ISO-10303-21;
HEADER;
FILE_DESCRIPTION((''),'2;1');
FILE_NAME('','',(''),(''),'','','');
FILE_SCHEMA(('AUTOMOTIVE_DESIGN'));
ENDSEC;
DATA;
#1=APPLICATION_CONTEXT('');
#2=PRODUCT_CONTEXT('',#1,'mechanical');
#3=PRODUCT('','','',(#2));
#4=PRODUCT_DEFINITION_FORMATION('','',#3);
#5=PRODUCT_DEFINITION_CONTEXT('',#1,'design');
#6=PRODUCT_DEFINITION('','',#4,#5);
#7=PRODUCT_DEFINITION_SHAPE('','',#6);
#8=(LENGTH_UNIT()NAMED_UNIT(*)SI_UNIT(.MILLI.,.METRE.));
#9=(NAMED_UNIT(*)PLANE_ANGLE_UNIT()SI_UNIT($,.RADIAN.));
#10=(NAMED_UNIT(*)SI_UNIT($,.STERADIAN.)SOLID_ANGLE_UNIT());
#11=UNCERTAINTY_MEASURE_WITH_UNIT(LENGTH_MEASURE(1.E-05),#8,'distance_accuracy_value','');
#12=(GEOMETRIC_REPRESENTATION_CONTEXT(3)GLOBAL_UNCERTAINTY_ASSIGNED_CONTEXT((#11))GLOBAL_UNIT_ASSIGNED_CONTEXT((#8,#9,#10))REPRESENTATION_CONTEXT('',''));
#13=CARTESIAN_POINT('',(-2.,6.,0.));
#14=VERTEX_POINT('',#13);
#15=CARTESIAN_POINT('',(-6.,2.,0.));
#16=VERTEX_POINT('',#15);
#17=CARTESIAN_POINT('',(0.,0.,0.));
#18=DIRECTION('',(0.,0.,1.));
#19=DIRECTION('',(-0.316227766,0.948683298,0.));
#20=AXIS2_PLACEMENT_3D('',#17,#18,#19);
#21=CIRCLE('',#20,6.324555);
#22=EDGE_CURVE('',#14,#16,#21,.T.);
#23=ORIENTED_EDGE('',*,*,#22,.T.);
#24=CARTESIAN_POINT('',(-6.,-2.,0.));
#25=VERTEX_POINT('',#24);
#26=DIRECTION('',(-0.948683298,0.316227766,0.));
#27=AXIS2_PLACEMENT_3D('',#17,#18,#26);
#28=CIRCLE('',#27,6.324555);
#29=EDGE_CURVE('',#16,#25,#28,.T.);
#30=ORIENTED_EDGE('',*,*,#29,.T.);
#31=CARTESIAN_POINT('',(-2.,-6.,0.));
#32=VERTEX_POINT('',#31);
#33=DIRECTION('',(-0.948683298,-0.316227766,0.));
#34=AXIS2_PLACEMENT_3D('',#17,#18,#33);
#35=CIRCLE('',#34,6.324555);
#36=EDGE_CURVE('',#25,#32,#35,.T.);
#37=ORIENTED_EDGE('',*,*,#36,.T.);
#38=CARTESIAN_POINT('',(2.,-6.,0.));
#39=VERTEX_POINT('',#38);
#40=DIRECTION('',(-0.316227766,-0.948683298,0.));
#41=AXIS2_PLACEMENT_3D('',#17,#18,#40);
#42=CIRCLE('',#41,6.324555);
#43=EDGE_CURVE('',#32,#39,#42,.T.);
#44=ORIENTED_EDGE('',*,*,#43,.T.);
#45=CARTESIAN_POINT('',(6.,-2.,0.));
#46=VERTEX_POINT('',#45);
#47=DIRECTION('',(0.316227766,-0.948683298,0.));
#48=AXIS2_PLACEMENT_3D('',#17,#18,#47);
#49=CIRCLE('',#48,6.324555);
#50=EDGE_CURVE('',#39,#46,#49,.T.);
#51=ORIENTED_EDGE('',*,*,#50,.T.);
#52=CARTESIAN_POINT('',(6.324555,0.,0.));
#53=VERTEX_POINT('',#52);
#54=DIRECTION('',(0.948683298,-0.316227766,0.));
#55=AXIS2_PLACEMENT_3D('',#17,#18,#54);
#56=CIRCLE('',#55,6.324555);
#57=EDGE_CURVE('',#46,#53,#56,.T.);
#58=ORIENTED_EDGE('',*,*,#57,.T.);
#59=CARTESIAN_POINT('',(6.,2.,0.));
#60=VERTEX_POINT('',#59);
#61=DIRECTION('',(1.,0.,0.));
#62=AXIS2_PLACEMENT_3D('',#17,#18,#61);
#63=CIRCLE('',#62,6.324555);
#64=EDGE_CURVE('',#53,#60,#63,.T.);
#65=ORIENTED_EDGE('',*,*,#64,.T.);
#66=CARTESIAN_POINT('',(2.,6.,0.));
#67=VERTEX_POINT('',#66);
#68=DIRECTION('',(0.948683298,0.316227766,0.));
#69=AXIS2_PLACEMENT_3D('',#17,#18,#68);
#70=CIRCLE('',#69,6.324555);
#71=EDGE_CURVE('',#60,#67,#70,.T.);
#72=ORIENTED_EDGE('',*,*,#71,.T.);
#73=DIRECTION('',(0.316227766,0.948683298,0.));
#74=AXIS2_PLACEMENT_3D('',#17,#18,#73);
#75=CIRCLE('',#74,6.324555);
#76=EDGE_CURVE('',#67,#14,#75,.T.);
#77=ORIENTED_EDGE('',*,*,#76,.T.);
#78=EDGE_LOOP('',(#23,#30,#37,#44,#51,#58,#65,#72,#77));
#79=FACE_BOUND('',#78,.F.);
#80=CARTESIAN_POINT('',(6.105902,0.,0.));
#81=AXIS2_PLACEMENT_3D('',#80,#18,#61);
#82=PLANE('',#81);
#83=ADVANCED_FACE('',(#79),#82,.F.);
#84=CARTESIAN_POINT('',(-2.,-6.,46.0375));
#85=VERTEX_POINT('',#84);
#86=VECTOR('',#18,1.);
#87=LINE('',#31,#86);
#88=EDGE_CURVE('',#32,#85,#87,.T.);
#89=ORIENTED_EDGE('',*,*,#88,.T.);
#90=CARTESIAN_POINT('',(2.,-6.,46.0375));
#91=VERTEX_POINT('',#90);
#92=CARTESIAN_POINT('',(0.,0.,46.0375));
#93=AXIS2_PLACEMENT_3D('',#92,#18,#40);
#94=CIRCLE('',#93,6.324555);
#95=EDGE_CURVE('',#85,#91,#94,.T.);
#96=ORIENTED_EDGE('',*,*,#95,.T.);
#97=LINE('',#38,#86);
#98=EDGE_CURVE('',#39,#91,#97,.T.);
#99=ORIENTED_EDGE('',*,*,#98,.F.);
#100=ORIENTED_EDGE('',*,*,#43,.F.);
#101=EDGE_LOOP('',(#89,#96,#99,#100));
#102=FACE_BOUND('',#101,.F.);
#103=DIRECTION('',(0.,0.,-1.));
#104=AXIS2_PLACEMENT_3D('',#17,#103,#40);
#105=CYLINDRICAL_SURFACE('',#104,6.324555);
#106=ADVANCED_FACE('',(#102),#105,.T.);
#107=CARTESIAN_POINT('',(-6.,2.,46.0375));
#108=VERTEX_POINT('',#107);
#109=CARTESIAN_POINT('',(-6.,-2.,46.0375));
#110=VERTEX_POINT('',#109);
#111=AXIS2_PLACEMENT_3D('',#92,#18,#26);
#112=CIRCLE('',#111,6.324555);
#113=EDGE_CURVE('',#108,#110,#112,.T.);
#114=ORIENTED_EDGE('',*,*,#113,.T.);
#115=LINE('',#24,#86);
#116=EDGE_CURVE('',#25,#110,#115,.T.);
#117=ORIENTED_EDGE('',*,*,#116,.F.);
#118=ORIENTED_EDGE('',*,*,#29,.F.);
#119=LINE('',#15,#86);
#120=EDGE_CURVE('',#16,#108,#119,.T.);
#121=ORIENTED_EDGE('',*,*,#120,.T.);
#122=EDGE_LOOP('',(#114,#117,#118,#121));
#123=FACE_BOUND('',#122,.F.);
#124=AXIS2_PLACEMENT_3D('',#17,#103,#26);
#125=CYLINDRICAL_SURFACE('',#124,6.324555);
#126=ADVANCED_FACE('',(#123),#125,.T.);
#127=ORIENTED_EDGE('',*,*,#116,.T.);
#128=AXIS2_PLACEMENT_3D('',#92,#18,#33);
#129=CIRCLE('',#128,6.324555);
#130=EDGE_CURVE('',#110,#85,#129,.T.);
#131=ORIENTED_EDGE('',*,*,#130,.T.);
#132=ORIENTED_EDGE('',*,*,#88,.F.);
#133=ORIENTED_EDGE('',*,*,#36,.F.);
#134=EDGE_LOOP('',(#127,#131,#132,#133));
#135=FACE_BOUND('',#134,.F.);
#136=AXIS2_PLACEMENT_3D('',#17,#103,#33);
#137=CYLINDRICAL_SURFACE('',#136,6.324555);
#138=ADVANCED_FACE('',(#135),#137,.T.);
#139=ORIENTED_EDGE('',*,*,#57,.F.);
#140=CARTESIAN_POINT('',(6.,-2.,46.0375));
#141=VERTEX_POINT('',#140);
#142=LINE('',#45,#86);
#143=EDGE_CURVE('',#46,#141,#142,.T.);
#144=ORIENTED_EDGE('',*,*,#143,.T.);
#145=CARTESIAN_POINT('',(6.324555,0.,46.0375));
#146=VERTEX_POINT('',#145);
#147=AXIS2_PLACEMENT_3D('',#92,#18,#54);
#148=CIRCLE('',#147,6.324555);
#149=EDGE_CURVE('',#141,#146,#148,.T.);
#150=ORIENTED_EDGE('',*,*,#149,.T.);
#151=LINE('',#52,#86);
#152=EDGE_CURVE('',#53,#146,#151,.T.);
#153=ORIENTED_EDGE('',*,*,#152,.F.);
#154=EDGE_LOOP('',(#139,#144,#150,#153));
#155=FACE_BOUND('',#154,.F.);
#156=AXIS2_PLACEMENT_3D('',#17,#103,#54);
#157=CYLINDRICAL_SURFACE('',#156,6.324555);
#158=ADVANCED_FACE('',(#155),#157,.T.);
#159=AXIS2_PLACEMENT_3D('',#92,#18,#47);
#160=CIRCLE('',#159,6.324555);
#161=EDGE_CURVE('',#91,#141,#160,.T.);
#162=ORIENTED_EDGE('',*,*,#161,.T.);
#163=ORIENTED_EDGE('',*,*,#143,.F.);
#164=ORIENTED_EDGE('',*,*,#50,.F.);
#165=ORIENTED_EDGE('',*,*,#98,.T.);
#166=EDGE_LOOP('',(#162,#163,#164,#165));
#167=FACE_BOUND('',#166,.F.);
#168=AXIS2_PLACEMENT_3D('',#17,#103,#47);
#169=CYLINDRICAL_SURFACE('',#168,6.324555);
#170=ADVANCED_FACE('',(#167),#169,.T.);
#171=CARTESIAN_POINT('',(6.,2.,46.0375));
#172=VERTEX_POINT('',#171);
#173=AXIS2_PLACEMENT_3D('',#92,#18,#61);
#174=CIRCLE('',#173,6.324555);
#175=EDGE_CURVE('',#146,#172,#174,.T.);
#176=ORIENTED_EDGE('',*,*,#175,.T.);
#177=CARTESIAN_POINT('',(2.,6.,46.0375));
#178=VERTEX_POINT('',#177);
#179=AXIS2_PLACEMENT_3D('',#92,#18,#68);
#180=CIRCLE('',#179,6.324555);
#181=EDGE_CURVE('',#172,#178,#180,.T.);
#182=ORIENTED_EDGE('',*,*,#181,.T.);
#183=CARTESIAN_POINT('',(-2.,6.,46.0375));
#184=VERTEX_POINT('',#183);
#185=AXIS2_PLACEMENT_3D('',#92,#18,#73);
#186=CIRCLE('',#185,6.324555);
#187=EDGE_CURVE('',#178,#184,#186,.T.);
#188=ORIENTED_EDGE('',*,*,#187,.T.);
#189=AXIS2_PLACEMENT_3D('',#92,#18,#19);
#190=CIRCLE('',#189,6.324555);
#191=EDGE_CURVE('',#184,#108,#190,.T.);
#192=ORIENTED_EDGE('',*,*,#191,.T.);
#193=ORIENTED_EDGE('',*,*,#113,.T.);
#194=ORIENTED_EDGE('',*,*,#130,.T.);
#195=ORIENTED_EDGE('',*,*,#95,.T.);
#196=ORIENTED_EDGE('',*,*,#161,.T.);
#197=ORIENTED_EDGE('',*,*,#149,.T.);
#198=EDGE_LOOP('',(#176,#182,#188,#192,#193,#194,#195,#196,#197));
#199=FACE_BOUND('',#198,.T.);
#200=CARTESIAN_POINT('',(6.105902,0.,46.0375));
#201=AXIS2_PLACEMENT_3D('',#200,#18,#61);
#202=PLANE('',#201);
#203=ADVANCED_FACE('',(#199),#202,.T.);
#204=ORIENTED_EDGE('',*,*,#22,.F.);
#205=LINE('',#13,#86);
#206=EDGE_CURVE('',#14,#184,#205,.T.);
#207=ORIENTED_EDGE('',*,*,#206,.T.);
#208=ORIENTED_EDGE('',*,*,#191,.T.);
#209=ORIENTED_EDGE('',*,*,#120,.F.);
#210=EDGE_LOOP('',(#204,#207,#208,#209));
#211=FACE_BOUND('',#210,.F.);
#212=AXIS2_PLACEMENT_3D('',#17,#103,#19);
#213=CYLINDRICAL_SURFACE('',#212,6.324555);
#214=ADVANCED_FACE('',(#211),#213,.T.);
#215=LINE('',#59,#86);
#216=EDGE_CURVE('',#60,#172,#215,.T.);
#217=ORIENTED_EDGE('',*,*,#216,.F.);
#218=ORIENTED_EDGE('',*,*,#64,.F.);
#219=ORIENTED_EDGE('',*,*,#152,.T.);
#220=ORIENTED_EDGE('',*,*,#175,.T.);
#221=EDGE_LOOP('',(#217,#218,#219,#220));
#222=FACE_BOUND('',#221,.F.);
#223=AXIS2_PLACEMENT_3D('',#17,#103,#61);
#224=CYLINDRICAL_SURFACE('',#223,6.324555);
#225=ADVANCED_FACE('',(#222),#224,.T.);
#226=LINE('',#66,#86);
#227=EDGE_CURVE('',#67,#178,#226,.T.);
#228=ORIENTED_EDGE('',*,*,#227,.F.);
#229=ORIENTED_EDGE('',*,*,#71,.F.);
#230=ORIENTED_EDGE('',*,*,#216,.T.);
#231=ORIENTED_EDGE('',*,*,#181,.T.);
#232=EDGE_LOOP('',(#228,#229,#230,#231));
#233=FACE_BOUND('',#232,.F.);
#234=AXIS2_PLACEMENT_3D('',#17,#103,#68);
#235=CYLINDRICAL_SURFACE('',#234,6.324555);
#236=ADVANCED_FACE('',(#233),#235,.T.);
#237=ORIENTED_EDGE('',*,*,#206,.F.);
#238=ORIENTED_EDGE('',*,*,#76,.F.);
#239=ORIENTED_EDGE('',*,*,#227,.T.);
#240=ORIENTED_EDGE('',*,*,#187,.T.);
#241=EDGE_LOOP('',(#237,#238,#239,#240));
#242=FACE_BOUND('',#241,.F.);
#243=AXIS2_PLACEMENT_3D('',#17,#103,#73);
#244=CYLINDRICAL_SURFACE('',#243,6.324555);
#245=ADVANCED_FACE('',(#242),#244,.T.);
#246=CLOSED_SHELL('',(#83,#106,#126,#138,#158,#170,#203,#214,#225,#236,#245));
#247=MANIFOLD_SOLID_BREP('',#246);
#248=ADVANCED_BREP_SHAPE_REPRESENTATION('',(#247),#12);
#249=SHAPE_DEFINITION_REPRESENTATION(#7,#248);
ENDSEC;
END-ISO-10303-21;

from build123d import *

# Parameters (mm, degrees)
F1_DEPTH = 46.0375


with BuildPart() as f1:
    # F0 (on Top) → F1 (new body)
    with BuildSketch(Plane.XY):
        with BuildLine():
            ThreePointArc((6, -2), (6.2428892318, -1.0130814572), (6.3245553203, 0))
            ThreePointArc((6.3245553203, 0), (6.2428892318, 1.0130814572), (6, 2))
            Line((6, 2), (6, -2))
        make_face()
        with BuildLine():
            Line((2, 2), (6, 2))
            ThreePointArc((6, 2), (4.472135955, 4.472135955), (2, 6))
            Line((2, 6), (2, 2))
        make_face()
        Polygon((6, -2), (6, 2), (2, 2), (2, 6), (-2, 6), (-2, 2), (-6, 2), (-6, -2), (-2, -2), (-2, -6), (2, -6), (2, -2), align=None)
        with BuildLine():
            ThreePointArc((2, -6), (4.472135955, -4.472135955), (6, -2))
            Line((6, -2), (2, -2))
            Line((2, -2), (2, -6))
        make_face()
        with BuildLine():
            Line((-2, 6), (2, 6))
            ThreePointArc((2, 6), (0, 6.3245553203), (-2, 6))
        make_face()
        with BuildLine():
            ThreePointArc((-2, -6), (0, -6.3245553203), (2, -6))
            Line((2, -6), (-2, -6))
        make_face()
        with BuildLine():
            Line((-2, 2), (-2, 6))
            ThreePointArc((-2, 6), (-4.472135955, 4.472135955), (-6, 2))
            Line((-6, 2), (-2, 2))
        make_face()
        with BuildLine():
            ThreePointArc((-6, -2), (-4.472135955, -4.472135955), (-2, -6))
            Line((-2, -6), (-2, -2))
            Line((-2, -2), (-6, -2))
        make_face()
        with BuildLine():
            Line((-6, -2), (-6, 2))
            ThreePointArc((-6, 2), (-6.3245553203, 0), (-6, -2))
        make_face()
    extrude(amount=F1_DEPTH)


solid = f1.part
